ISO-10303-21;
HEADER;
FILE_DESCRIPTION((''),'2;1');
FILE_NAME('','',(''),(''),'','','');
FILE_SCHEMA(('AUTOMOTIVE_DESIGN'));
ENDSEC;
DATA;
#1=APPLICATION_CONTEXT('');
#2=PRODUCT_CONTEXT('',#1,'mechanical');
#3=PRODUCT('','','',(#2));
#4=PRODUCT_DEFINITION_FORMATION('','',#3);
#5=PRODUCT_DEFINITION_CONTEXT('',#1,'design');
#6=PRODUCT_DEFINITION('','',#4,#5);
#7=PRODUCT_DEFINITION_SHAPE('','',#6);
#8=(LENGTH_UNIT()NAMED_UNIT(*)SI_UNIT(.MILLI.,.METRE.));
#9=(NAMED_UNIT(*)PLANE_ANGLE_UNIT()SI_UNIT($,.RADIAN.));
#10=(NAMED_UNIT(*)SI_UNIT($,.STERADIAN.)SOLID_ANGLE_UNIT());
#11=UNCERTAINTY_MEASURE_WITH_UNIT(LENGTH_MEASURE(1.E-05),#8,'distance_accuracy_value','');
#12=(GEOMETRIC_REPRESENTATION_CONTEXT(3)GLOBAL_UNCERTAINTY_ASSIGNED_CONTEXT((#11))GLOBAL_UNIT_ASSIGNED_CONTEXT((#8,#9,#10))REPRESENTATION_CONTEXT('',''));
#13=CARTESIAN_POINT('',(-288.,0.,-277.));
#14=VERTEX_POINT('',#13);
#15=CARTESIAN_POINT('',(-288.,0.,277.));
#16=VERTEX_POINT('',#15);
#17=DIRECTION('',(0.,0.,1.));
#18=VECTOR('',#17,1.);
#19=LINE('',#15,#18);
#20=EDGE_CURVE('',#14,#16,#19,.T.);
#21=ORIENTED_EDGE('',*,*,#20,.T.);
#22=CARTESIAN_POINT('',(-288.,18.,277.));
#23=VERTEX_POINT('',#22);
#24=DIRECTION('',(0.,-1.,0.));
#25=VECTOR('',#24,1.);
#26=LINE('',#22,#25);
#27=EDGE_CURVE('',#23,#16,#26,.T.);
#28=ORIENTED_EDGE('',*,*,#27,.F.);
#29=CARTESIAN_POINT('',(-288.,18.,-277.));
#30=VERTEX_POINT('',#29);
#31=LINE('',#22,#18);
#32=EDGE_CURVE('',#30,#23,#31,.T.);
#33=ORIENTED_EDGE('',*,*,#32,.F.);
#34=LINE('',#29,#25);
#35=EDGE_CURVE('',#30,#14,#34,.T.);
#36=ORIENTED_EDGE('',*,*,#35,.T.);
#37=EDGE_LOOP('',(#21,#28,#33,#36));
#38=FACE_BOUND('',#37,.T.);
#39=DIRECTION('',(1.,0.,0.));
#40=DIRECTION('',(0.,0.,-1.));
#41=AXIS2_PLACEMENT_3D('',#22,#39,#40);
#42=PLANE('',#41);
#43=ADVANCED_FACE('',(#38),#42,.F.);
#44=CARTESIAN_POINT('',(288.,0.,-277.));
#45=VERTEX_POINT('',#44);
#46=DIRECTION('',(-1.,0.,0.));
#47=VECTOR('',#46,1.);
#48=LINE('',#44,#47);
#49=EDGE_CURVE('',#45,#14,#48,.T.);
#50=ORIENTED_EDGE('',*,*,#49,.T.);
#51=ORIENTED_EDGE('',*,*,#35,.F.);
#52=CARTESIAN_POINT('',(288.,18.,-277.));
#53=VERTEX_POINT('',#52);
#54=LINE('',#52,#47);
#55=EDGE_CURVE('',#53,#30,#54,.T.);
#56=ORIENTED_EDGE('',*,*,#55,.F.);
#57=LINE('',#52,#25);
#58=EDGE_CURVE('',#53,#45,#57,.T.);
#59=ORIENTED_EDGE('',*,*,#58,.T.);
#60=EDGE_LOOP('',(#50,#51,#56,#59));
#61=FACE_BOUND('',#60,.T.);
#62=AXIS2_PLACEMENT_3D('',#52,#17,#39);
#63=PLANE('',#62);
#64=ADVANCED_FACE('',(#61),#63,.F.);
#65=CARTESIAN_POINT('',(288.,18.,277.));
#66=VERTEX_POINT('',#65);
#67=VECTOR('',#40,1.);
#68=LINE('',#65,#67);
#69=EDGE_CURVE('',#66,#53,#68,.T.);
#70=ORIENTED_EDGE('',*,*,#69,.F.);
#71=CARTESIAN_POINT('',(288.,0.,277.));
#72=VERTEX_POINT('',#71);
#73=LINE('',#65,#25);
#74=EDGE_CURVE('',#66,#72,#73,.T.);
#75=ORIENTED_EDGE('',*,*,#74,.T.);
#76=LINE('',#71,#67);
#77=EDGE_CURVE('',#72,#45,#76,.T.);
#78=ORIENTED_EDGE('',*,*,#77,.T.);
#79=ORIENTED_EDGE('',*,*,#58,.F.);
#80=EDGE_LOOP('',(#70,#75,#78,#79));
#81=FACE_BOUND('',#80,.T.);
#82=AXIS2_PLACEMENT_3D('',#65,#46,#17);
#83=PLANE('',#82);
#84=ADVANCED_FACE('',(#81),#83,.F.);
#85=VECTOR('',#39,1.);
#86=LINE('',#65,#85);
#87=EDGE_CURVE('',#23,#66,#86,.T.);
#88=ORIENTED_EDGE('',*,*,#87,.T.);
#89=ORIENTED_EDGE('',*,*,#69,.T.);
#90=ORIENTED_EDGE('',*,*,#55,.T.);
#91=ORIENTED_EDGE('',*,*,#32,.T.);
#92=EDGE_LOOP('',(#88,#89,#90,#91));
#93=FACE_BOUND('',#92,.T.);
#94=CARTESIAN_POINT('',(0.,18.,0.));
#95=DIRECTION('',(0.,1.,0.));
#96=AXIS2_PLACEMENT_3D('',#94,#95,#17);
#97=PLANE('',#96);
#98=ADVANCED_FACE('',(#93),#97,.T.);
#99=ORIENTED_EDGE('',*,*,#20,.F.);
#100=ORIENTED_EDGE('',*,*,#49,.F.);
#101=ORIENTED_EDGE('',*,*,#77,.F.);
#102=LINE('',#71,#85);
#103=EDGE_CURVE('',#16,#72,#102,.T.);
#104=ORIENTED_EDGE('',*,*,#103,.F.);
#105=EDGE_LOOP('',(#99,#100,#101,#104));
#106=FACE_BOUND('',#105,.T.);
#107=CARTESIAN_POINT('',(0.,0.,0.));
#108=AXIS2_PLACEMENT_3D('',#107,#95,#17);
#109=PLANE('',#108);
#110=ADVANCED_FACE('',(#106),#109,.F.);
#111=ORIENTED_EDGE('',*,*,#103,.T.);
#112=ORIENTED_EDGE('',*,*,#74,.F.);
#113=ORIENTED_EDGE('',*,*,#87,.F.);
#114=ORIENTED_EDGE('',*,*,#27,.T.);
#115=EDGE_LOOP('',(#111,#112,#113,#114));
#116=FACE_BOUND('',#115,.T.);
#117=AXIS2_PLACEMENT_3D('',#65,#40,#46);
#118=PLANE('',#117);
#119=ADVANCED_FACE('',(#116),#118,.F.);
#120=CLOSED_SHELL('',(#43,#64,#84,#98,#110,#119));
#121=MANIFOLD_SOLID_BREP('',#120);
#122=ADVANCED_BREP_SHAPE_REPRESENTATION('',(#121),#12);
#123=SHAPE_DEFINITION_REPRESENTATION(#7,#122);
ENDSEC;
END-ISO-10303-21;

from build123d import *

# Parameters (mm, degrees)
SKETCH_1_W      = 576
SKETCH_1_H      = 554
EXTRUDE_1_DEPTH = 18


with BuildPart() as part:
    # Эскиз1 → Бобышка-Вытянуть1 (new body)
    with BuildSketch(Plane(origin=(0, 0, 0), x_dir=(1, 0, 0), z_dir=(0, 1, 0))):
        Rectangle(SKETCH_1_W, SKETCH_1_H)
    extrude(amount=EXTRUDE_1_DEPTH)


solid = part.part
